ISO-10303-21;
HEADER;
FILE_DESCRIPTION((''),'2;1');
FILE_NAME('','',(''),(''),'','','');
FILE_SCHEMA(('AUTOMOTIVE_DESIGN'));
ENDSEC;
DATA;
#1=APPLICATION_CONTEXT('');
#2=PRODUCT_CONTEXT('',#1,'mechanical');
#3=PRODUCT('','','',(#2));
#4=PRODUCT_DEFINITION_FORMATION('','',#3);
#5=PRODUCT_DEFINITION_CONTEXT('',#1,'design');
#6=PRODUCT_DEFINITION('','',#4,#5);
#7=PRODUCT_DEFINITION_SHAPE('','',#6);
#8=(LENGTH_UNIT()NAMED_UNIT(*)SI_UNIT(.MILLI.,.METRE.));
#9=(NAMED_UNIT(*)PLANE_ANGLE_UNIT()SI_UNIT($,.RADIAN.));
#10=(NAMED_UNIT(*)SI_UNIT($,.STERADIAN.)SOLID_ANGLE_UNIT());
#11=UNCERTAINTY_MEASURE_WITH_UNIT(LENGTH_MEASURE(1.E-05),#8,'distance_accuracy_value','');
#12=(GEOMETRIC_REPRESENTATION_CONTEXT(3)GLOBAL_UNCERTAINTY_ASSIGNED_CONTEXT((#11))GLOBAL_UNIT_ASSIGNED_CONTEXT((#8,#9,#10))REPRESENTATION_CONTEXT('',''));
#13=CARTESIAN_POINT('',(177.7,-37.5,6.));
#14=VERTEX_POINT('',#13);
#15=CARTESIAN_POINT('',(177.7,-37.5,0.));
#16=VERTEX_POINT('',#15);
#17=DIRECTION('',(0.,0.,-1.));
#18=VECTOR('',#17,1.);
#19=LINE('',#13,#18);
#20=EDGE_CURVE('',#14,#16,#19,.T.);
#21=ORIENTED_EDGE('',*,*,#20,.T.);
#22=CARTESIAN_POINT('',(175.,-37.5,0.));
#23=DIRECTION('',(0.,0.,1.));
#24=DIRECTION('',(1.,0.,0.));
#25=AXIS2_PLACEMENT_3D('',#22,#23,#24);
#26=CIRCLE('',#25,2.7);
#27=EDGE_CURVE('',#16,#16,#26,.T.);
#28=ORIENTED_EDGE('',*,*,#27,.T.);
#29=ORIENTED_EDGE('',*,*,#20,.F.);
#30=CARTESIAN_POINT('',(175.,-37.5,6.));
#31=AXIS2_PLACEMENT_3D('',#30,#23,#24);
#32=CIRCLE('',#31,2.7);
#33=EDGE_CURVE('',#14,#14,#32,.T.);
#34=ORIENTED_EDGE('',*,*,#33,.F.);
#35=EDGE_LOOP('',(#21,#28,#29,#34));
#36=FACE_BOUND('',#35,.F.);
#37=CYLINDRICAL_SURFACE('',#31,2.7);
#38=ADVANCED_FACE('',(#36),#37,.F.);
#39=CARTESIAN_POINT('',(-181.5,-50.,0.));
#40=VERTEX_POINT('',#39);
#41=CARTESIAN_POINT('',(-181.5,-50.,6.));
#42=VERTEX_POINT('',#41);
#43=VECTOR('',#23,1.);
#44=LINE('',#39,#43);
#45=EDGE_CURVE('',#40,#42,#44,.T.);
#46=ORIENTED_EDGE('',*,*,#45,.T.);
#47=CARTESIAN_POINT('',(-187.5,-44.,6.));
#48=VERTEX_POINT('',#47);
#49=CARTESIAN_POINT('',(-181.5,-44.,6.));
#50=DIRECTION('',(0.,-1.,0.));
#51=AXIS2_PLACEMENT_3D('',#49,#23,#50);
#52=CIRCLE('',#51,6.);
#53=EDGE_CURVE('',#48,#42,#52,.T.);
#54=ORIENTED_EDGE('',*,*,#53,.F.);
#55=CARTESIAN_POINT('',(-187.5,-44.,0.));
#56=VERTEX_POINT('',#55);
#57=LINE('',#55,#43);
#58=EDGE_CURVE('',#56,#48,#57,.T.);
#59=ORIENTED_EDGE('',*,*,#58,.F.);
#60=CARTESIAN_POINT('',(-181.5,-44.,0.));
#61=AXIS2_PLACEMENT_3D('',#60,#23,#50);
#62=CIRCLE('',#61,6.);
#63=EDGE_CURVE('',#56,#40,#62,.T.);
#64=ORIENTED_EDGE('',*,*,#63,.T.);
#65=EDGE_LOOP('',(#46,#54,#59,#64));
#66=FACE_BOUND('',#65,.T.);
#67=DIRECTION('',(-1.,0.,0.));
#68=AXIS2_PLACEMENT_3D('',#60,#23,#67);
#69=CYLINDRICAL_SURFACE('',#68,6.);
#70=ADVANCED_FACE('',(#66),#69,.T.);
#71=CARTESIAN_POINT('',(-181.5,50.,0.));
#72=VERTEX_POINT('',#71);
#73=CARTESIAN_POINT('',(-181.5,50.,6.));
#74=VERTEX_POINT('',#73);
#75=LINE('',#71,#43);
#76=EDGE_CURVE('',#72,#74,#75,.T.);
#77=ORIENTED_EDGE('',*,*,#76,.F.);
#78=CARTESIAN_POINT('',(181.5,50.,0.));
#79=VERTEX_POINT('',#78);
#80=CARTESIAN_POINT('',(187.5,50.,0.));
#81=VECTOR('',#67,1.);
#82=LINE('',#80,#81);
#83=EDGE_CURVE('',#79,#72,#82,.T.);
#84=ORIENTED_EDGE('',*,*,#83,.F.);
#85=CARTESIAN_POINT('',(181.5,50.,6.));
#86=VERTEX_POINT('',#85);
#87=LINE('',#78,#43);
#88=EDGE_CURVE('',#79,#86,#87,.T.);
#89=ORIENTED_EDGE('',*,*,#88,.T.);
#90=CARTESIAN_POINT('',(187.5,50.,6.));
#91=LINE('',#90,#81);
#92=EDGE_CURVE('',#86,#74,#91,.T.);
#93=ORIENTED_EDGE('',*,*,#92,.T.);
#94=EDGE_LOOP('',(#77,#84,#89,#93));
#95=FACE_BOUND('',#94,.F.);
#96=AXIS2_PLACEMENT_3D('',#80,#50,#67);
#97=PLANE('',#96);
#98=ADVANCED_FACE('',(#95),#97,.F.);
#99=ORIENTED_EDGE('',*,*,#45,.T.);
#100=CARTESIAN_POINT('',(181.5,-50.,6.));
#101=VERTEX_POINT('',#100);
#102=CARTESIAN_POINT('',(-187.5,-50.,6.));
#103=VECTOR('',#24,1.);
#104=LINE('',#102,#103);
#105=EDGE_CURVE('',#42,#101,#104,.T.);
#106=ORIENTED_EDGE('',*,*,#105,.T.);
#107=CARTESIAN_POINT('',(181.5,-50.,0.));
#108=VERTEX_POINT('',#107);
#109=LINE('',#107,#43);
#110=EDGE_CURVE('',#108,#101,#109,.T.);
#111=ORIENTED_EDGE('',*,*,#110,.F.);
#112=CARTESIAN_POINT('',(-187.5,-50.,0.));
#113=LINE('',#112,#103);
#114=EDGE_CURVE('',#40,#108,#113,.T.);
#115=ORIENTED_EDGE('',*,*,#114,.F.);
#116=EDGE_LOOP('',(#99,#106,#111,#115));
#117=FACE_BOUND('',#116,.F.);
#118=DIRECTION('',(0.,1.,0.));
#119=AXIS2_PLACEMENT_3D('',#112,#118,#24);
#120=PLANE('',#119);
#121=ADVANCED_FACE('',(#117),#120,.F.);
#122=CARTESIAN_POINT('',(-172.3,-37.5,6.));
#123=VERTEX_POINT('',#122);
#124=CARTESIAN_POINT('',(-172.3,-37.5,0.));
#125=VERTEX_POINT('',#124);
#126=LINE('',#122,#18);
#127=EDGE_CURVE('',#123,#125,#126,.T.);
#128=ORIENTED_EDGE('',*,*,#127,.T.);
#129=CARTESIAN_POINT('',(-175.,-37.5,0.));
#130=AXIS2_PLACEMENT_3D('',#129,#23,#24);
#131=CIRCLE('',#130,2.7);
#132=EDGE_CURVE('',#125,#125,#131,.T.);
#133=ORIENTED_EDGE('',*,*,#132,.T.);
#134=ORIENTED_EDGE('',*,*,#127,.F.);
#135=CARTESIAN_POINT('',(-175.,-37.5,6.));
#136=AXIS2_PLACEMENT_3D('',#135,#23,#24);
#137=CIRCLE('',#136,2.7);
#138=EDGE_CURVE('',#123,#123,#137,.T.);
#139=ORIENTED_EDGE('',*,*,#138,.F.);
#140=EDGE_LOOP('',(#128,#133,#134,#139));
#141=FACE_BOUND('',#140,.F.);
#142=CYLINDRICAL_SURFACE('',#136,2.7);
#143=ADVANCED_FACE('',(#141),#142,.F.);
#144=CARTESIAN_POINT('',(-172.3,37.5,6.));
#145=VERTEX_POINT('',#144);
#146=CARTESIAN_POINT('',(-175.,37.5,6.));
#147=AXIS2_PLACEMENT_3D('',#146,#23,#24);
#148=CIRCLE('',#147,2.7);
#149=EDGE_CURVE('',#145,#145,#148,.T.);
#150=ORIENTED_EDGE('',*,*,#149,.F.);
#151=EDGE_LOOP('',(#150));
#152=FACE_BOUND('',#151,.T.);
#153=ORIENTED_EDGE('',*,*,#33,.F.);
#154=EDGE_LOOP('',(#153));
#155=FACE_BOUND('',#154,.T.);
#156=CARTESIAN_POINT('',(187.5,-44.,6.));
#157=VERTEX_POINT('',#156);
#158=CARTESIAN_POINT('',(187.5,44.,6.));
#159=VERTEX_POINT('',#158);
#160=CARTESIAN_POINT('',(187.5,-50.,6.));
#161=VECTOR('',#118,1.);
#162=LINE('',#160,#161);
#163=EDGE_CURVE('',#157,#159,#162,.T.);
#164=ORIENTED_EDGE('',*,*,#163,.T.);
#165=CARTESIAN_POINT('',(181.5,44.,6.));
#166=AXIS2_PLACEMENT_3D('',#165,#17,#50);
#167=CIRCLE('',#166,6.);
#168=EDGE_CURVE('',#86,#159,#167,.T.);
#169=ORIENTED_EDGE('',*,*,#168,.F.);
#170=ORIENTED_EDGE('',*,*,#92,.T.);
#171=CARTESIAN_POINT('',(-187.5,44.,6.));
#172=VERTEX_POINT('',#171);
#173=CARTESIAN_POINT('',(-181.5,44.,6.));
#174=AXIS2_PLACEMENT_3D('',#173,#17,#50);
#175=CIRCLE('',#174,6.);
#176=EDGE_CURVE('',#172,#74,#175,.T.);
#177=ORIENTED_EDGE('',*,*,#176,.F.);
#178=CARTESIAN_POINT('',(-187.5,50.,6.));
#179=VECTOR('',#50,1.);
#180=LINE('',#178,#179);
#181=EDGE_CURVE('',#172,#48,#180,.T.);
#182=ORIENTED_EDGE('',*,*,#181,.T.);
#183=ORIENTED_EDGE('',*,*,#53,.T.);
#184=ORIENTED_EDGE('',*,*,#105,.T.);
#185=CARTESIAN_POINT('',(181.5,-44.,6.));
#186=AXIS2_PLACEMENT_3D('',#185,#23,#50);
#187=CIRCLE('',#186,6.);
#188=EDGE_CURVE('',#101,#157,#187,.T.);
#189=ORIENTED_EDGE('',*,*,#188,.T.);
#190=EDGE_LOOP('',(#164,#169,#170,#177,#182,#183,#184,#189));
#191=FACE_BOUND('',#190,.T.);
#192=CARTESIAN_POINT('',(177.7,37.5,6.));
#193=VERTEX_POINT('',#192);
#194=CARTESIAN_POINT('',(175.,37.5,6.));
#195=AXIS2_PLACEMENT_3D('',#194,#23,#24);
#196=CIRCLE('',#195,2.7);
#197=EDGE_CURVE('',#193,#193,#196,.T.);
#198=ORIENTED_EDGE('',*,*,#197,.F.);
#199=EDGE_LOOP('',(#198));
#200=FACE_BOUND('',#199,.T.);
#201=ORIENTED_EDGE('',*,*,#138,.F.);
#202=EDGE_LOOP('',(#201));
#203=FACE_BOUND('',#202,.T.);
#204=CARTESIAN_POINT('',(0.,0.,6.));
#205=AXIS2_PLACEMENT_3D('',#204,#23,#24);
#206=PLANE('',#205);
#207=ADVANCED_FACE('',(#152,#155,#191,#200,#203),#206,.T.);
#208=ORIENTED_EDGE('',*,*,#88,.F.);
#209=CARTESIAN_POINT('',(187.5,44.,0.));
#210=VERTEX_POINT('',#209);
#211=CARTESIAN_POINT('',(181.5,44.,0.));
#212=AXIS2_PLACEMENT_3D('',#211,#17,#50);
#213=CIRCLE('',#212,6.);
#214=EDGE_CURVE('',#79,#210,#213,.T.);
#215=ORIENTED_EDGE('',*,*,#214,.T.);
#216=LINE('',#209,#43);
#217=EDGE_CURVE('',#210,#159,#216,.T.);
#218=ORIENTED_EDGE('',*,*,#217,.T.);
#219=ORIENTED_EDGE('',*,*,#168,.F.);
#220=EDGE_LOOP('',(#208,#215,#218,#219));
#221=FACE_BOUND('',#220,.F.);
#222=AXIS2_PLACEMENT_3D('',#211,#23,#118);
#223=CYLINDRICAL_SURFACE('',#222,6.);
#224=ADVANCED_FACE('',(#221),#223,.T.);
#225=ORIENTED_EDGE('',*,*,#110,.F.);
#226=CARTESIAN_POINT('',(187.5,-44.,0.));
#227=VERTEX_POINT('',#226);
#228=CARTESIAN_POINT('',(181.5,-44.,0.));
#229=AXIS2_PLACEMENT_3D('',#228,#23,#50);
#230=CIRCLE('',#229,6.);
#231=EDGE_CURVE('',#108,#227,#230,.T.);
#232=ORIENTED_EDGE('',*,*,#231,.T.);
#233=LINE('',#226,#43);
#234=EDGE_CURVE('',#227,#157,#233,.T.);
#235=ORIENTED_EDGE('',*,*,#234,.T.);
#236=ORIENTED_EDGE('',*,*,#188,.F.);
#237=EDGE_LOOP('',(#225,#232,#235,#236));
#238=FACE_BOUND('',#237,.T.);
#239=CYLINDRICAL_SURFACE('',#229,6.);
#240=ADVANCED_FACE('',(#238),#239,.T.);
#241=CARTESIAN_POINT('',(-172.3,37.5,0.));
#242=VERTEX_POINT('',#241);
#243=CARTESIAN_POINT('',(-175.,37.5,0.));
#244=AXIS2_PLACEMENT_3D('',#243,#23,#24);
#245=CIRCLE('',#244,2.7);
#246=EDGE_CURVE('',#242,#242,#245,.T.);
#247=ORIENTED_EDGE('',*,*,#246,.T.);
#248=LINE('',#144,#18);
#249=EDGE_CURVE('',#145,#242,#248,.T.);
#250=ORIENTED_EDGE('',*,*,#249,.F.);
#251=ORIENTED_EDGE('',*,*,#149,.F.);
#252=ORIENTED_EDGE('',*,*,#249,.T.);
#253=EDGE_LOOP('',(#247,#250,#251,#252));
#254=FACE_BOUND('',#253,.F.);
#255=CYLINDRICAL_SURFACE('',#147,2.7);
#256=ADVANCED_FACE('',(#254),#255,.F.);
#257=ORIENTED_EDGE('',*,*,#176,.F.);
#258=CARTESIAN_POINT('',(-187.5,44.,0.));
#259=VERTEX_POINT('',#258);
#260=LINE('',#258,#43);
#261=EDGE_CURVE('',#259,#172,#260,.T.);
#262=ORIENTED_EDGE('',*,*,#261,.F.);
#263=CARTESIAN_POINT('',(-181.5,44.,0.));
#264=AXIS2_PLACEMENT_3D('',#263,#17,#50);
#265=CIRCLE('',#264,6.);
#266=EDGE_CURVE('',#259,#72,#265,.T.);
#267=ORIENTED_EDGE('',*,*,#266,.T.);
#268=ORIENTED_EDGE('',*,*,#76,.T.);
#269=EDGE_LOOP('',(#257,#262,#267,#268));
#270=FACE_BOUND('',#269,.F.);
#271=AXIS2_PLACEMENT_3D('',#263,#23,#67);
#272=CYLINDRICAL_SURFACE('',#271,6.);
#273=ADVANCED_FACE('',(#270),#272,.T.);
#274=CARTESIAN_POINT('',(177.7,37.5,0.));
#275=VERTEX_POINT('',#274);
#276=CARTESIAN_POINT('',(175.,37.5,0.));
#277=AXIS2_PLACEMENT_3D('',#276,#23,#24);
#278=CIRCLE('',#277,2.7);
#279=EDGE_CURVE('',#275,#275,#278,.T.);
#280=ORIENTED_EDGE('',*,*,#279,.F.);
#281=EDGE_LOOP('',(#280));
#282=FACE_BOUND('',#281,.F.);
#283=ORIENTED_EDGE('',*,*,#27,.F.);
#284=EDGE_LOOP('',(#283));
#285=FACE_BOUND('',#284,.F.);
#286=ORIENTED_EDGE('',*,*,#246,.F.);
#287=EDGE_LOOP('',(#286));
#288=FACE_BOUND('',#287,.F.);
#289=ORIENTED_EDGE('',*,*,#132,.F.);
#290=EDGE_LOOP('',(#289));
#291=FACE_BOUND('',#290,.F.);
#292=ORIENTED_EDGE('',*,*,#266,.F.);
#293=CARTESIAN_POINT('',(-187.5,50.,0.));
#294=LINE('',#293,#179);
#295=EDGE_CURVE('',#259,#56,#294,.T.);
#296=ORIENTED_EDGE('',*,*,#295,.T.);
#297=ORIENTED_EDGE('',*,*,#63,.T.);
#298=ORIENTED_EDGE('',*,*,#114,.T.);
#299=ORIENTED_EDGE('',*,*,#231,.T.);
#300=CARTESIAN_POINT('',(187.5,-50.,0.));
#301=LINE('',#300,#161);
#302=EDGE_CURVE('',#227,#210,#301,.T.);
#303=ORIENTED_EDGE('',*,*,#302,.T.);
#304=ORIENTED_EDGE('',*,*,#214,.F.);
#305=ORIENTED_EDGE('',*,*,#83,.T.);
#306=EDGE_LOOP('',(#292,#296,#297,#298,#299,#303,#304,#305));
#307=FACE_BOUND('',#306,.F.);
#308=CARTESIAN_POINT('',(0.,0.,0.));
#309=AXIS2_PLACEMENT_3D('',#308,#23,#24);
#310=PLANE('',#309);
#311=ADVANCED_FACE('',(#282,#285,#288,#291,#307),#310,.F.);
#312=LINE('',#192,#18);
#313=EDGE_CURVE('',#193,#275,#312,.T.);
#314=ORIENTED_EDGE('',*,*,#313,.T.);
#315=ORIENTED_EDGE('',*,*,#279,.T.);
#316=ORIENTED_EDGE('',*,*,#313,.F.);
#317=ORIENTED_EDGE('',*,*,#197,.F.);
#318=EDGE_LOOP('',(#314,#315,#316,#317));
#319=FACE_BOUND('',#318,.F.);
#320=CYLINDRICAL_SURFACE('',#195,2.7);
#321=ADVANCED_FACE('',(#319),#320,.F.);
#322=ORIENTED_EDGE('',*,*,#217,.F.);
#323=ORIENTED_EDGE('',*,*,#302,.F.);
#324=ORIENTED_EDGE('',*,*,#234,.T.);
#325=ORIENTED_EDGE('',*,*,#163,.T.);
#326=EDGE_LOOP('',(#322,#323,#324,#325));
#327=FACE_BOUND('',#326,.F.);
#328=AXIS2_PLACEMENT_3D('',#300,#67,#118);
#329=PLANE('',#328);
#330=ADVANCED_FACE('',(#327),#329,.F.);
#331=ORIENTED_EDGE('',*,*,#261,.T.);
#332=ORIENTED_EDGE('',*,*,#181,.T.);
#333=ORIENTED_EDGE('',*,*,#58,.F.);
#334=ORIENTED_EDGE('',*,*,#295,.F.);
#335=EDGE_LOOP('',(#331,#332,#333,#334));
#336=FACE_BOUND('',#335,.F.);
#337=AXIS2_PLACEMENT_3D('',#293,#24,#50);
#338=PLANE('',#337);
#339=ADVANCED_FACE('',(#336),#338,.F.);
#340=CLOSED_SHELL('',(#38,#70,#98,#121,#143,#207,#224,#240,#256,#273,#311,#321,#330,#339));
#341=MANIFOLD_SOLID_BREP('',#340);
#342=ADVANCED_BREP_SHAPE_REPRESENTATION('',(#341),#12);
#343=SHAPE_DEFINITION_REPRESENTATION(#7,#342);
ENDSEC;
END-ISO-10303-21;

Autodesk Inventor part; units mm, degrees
ref_plane "YZ Plane" through (0, 0, 0) normal (1, 0, 0) x (0, 1, 0)
ref_plane "XZ Plane" through (0, 0, 0) normal (0, 1, 0) x (-1, 0, 0)
ref_plane "XY Plane" through (0, 0, 0) normal (0, 0, 1) x (1, 0, 0)
sketch "Sketch1" plane through (0, 0, 0) normal (0, 0, 1) x (1, 0, 0)
  line L0 (-187.5, -50) -> (187.5, -50)
  line L1 (187.5, -50) -> (187.5, 50)
  line L2 (187.5, 50) -> (-187.5, 50)
  line L3 (-187.5, 50) -> (-187.5, -50)
  line L4 (-187.5, -50) -> (187.5, 50) construction
  line L5 (187.5, -50) -> (-187.5, 50) construction
  point P0 (0, 0)
  dimension "d0" = 375
  dimension "d1" = 100
extrude "Extrusion1" add sketch "Sketch1" along normal blind 6
sketch "Sketch8" plane through (0, 0, 6) normal (0, 0, 1) x (1, 0, 0)
  circle A0 centre (-175, 37.5) radius 2.7
  circle A1 centre (-175, -37.5) radius 2.7
  circle A2 centre (175, -37.5) radius 2.7
  circle A3 centre (175, 37.5) radius 2.7
  line L0 (-187.5, 50) -> (-187.5, -50) projected
  line L1 (187.5, 50) -> (-187.5, 50) projected
  line L2 (187.5, -50) -> (187.5, 50) projected
  line L3 (-187.5, -50) -> (187.5, -50) projected
  dimension "d40" = 12.5
  dimension "d41" = 12.5
  dimension "d42" = 12.5
  dimension "d43" = 12.5
  dimension "d44" = 5.4
extrude "Extrusion8" cut sketch "Sketch8" against normal through all contours A0 | A1 | A2 | A3
fillet "Fillet3" radius 6 4 edges at (187.5, -50, 3) (-187.5, 50, 3) (-187.5, -50, 3) (187.5, 50, 3)
equation "\"d41\" = d40"
equation "\"d42\" = d40"
equation "\"d43\" = d40"
properties part number "ProjectorPlateBack"
